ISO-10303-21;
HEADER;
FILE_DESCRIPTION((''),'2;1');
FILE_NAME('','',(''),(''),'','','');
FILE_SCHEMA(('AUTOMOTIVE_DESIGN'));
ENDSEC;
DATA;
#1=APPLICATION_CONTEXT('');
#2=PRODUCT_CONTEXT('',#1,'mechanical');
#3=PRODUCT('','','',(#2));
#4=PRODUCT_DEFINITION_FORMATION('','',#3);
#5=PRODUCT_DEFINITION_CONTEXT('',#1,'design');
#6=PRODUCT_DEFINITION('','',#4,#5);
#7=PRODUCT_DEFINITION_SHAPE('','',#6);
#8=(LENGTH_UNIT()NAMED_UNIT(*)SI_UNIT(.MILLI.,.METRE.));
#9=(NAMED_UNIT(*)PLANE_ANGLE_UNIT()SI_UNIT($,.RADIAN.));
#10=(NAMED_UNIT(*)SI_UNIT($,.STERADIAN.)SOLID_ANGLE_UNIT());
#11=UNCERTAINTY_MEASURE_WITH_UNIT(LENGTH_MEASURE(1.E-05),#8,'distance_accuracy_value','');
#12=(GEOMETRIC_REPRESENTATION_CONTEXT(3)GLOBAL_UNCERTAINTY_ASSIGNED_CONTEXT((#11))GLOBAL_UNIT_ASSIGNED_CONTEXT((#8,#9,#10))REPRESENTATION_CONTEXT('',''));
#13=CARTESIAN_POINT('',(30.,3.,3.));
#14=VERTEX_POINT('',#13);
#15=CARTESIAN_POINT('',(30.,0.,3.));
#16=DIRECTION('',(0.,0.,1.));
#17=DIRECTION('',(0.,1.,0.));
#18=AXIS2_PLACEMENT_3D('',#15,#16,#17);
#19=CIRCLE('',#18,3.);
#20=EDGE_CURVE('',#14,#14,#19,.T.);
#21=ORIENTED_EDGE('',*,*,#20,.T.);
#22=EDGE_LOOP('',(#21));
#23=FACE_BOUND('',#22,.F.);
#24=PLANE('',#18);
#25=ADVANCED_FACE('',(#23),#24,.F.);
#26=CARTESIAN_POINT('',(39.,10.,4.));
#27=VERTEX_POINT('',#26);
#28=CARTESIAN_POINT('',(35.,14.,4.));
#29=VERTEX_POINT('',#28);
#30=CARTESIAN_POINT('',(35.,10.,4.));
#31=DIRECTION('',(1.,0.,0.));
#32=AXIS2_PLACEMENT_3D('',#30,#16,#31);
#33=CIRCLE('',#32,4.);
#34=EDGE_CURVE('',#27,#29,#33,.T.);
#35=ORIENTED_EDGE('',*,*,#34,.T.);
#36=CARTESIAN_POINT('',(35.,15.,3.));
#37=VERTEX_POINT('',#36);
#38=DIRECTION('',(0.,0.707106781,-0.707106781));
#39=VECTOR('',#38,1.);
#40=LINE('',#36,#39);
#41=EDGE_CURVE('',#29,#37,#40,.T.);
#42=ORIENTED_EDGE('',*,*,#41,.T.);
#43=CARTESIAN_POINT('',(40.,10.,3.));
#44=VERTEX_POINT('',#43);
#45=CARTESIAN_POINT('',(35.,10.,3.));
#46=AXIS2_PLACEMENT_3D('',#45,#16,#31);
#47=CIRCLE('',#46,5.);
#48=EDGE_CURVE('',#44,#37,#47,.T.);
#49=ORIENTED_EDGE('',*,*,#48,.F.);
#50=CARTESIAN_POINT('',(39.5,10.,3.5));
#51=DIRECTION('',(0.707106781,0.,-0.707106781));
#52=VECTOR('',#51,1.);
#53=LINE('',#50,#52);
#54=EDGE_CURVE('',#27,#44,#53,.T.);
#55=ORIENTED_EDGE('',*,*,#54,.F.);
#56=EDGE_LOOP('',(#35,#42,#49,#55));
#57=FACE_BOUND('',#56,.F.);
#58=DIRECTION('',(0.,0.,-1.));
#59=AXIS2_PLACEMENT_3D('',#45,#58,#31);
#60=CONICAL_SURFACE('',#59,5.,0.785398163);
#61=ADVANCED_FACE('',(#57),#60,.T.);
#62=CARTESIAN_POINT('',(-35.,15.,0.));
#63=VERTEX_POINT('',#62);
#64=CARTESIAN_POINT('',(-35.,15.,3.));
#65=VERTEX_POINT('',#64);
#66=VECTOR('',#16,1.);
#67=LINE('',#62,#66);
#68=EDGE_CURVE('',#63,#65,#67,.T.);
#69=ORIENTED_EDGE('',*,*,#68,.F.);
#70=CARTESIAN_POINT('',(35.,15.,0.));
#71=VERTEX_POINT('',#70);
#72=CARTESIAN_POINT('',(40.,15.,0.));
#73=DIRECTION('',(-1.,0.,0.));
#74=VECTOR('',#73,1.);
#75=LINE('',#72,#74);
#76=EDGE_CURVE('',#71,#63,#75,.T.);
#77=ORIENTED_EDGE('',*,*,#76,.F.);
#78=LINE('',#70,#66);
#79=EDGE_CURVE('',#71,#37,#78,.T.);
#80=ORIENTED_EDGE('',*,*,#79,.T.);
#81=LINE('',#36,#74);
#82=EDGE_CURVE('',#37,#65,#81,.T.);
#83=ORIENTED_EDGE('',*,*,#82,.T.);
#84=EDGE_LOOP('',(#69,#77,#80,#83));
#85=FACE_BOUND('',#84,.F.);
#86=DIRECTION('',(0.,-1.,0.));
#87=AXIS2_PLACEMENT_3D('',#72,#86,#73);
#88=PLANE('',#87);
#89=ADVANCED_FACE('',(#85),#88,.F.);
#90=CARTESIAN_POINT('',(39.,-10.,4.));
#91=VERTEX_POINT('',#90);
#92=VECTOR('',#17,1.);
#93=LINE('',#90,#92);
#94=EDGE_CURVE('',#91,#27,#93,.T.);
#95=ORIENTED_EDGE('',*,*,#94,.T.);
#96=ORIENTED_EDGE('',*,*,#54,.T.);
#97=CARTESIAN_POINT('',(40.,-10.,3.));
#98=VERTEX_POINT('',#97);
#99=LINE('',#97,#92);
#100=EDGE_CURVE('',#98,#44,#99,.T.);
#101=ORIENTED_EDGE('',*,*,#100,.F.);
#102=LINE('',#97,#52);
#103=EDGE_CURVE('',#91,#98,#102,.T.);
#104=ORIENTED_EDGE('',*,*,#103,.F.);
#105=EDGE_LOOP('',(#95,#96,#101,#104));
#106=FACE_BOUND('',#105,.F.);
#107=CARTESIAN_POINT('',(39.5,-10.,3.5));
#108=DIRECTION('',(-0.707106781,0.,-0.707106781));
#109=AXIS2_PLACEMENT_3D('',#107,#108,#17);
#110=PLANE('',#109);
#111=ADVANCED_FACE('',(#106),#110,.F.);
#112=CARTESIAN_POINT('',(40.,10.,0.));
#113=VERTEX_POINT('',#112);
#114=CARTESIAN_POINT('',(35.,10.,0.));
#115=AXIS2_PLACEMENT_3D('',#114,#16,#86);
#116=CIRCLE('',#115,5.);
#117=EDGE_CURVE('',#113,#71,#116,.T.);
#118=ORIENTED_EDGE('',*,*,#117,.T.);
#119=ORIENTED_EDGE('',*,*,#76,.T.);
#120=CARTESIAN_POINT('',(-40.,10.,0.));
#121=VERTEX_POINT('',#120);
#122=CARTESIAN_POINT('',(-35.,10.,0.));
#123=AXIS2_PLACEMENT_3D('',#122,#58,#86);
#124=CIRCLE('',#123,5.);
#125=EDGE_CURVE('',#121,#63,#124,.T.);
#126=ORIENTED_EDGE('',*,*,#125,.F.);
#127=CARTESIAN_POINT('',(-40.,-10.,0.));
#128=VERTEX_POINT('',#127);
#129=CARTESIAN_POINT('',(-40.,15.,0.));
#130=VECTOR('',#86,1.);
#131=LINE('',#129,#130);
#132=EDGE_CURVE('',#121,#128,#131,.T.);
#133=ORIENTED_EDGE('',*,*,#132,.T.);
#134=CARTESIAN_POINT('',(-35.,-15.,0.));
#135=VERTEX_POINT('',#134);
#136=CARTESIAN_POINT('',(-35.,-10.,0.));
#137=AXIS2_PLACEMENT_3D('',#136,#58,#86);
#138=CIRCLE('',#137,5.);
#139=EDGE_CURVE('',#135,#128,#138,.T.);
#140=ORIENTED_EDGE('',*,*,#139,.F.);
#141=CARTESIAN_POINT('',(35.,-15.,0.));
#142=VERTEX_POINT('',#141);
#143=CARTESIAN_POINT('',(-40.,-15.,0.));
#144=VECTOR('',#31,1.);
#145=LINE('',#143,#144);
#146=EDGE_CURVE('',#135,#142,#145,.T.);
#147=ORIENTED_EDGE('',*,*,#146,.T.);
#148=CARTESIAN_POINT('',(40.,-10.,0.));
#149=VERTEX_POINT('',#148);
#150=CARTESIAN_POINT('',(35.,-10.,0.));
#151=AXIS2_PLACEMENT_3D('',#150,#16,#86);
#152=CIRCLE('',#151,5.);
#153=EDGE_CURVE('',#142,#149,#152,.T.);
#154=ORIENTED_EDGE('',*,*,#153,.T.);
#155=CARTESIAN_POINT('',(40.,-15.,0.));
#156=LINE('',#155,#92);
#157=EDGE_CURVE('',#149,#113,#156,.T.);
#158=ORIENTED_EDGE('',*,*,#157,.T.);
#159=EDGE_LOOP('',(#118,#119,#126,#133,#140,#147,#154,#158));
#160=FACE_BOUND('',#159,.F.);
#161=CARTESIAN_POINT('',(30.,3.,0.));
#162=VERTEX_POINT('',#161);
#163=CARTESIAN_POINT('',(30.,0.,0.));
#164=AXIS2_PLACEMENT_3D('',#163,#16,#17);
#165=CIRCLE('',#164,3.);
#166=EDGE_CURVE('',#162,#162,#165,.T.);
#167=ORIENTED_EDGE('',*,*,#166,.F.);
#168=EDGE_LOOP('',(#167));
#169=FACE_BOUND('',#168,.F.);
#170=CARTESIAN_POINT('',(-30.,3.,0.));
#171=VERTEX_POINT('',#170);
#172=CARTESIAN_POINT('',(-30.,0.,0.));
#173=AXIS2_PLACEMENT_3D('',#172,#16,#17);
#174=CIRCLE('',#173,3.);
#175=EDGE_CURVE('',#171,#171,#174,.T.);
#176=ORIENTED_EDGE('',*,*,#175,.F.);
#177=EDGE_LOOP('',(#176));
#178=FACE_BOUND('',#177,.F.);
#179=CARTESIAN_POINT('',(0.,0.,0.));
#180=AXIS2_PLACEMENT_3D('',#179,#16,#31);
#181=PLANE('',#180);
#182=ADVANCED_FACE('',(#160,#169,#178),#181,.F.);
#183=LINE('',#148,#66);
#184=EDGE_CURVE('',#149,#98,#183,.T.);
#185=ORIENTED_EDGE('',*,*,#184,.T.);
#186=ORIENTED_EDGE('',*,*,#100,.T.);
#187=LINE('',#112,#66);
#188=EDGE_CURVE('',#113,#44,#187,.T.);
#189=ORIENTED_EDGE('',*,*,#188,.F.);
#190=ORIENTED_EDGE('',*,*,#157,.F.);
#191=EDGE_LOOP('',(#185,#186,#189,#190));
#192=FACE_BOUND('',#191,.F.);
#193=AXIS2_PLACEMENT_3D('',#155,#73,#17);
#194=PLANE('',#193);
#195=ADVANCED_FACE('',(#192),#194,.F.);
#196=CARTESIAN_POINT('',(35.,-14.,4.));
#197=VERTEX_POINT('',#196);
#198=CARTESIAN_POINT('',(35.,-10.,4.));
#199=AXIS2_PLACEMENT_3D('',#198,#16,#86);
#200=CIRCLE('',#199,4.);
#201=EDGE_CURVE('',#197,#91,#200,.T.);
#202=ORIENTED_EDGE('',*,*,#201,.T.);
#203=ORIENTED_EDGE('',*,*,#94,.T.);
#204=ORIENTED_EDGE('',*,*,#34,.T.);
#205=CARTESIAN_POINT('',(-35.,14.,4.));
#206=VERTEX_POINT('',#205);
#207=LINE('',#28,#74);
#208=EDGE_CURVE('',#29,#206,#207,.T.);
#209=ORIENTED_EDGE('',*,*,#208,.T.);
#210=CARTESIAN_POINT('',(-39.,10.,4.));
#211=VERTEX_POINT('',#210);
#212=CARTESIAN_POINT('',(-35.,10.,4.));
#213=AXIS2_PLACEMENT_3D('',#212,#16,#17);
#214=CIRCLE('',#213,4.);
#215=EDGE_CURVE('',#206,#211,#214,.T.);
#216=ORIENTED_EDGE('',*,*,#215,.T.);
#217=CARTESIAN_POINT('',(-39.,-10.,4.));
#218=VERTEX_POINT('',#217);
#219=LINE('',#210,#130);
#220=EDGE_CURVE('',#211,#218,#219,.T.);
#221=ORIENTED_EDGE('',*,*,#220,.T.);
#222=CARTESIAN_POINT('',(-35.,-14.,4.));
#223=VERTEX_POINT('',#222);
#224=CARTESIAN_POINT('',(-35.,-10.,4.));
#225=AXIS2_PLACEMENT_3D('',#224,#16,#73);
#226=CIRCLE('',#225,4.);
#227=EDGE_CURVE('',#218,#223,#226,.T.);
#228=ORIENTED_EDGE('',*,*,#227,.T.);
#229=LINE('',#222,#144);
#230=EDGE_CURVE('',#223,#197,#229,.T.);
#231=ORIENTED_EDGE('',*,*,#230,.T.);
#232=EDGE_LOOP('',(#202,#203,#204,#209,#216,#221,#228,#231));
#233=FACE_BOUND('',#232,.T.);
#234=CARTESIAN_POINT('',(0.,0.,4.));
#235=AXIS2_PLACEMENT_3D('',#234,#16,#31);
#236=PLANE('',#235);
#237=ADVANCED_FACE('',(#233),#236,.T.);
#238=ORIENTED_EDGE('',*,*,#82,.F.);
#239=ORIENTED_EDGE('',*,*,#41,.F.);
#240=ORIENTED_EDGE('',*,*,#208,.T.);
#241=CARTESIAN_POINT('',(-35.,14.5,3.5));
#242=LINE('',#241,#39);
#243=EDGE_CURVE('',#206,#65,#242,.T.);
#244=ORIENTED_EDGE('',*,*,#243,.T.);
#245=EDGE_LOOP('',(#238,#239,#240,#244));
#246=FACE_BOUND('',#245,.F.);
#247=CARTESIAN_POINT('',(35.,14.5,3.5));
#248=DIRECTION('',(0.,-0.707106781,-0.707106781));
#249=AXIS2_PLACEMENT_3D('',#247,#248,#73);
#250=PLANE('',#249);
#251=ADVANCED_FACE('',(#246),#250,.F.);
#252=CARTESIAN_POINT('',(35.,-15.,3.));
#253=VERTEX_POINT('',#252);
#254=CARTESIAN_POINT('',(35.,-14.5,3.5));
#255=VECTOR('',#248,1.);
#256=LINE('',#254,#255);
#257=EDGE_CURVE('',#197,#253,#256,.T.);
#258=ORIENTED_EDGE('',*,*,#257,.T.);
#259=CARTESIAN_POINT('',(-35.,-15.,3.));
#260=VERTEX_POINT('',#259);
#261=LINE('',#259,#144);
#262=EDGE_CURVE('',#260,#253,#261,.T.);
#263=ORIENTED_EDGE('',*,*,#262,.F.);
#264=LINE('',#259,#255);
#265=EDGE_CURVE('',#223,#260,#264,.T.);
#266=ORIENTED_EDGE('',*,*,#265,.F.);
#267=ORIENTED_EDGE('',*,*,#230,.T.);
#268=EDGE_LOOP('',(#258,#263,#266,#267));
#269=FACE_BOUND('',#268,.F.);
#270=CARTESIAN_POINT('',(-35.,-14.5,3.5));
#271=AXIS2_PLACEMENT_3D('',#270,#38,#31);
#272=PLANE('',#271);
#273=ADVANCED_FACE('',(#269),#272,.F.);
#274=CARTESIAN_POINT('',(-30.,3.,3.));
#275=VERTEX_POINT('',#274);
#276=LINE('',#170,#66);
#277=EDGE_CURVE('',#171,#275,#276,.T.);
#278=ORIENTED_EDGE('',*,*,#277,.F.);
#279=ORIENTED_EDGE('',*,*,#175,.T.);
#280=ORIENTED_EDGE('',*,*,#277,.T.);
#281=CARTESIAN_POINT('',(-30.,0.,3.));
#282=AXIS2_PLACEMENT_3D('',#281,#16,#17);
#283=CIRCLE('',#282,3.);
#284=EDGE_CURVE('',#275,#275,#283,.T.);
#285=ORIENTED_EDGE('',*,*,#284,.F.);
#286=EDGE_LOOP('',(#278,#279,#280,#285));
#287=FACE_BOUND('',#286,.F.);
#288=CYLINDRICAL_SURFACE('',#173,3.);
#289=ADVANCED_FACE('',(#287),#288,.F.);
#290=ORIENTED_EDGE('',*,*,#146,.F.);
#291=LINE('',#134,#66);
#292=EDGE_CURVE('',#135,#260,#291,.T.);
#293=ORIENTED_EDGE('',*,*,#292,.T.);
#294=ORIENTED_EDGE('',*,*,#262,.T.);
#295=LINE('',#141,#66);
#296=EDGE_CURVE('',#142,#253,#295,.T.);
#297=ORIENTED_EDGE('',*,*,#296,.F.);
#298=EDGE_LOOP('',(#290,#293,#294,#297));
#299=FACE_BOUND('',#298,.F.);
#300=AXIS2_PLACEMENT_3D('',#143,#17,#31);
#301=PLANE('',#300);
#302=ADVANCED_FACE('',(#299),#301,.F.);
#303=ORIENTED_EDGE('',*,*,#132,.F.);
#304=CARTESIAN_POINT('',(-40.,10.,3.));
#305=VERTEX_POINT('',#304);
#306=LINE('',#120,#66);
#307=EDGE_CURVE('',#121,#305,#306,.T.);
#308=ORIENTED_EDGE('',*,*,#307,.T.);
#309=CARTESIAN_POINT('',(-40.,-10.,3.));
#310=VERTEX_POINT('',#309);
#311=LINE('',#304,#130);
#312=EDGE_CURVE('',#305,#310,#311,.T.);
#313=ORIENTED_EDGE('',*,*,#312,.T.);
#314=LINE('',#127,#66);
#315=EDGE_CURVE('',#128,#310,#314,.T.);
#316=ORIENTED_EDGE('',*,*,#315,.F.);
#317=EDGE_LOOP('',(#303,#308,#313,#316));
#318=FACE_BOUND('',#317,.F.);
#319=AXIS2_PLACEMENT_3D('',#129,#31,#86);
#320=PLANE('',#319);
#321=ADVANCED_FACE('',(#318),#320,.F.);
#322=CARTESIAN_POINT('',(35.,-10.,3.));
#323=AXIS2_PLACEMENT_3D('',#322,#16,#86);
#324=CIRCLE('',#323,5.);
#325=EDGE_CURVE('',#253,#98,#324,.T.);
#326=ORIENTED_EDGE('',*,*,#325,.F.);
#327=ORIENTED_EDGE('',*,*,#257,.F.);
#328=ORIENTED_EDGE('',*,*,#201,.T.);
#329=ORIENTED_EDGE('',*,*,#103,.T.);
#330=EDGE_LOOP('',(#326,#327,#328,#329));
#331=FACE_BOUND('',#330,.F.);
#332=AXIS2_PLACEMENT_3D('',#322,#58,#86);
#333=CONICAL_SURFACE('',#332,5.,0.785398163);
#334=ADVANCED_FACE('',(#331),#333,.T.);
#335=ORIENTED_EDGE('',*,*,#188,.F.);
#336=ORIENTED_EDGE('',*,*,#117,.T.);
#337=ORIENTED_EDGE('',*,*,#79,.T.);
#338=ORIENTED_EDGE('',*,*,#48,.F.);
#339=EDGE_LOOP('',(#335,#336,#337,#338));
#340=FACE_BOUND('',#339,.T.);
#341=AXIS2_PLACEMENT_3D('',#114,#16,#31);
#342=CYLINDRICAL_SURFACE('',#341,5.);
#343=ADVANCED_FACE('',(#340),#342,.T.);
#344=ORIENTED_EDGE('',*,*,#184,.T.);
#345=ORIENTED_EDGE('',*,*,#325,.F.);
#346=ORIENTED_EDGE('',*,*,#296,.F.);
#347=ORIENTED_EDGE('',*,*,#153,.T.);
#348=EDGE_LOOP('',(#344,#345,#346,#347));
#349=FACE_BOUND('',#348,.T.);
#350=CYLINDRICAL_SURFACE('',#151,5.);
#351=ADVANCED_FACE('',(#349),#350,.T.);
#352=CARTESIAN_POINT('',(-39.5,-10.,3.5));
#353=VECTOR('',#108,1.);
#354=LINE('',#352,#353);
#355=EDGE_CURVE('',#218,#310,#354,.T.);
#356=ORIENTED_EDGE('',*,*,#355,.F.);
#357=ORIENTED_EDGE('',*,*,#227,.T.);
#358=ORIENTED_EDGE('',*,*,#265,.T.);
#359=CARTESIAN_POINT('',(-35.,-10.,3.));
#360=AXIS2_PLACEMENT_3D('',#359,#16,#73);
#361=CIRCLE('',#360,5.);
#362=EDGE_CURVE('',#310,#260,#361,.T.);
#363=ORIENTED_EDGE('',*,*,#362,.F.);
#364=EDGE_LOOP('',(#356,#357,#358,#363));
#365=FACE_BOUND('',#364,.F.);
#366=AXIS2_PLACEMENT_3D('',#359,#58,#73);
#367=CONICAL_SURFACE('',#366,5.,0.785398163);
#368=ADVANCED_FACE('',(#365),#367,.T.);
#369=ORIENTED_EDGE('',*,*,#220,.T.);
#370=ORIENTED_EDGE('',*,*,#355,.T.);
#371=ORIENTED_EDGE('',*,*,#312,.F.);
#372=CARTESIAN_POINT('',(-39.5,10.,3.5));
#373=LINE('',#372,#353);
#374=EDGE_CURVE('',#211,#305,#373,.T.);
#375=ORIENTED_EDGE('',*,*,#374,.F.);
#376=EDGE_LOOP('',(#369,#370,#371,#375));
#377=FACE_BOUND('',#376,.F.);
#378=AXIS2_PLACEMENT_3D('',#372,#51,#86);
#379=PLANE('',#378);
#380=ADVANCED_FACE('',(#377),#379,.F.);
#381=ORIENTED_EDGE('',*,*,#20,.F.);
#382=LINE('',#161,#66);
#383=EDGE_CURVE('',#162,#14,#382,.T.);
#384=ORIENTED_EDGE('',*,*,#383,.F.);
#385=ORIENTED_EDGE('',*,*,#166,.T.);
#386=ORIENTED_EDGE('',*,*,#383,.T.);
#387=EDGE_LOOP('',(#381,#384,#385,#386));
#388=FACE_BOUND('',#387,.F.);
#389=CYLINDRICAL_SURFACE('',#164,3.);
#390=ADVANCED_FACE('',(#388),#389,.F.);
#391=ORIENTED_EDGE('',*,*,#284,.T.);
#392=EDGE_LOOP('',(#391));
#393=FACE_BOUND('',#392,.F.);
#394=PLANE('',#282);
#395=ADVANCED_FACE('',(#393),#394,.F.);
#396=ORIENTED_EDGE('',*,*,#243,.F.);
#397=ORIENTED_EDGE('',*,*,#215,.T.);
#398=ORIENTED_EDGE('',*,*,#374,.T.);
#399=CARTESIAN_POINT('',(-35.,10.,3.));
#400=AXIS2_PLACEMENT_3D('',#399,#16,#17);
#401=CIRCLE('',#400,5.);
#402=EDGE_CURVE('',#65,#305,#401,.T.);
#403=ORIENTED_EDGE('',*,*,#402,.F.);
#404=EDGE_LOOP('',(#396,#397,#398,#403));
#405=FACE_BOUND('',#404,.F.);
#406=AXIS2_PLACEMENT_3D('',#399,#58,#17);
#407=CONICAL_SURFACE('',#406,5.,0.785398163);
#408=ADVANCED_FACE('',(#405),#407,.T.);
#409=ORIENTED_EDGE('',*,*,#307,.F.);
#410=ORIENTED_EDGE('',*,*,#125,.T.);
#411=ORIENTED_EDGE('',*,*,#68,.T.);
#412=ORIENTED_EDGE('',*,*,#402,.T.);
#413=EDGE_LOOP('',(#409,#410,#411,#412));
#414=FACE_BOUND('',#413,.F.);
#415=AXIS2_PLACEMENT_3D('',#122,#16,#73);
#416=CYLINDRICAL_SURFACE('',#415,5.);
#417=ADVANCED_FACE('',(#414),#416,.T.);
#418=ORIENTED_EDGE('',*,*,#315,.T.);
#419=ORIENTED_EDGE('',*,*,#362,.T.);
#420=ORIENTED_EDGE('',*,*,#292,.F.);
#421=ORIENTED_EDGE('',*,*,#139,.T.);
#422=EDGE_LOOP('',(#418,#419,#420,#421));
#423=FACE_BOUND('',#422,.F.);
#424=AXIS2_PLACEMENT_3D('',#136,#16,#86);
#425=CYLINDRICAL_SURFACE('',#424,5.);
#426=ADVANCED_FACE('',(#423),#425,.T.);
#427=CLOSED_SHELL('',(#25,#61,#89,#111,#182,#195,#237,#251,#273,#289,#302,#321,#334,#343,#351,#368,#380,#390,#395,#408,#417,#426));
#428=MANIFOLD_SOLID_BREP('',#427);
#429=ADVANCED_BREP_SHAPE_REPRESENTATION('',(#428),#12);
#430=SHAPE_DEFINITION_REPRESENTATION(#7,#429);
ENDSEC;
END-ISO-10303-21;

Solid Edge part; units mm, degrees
sketch "Sketch1" plane through (0, 0, 0) normal (0, 0, 1) x (1, 0, 0)
  line L0 (-40, -15) -> (40, -15)
  line L1 (40, -15) -> (40, 15)
  line L2 (40, 15) -> (-40, 15)
  line L3 (-40, 15) -> (-40, -15)
extrude "Protrusion1" add sketch "Sketch1" along normal blind 4
hole "Hole_1" at (30, 0, 0) direction (0, 0, 1) diameter 6 depth 3
hole "Hole1" at (-30, 0, 0) direction (0, 0, 1) diameter 6 depth 3
fillet "Round_1" radius 5 4 edges at (-40, 15, 2) (-40, -15, 2) (40, -15, 2) (40, 15, 2)
chamfer "Chamfer_1" distance 1 angle 45 8 edges at (-40, 0, 4) (-38.5355, -13.5355, 4) (0, -15, 4) (38.5355, -13.5355, 4) (40, 0, 4) (38.5355, 13.5355, 4) (0, 15, 4) (-38.5355, 13.5355, 4)
properties material "Bronze, 90%"
